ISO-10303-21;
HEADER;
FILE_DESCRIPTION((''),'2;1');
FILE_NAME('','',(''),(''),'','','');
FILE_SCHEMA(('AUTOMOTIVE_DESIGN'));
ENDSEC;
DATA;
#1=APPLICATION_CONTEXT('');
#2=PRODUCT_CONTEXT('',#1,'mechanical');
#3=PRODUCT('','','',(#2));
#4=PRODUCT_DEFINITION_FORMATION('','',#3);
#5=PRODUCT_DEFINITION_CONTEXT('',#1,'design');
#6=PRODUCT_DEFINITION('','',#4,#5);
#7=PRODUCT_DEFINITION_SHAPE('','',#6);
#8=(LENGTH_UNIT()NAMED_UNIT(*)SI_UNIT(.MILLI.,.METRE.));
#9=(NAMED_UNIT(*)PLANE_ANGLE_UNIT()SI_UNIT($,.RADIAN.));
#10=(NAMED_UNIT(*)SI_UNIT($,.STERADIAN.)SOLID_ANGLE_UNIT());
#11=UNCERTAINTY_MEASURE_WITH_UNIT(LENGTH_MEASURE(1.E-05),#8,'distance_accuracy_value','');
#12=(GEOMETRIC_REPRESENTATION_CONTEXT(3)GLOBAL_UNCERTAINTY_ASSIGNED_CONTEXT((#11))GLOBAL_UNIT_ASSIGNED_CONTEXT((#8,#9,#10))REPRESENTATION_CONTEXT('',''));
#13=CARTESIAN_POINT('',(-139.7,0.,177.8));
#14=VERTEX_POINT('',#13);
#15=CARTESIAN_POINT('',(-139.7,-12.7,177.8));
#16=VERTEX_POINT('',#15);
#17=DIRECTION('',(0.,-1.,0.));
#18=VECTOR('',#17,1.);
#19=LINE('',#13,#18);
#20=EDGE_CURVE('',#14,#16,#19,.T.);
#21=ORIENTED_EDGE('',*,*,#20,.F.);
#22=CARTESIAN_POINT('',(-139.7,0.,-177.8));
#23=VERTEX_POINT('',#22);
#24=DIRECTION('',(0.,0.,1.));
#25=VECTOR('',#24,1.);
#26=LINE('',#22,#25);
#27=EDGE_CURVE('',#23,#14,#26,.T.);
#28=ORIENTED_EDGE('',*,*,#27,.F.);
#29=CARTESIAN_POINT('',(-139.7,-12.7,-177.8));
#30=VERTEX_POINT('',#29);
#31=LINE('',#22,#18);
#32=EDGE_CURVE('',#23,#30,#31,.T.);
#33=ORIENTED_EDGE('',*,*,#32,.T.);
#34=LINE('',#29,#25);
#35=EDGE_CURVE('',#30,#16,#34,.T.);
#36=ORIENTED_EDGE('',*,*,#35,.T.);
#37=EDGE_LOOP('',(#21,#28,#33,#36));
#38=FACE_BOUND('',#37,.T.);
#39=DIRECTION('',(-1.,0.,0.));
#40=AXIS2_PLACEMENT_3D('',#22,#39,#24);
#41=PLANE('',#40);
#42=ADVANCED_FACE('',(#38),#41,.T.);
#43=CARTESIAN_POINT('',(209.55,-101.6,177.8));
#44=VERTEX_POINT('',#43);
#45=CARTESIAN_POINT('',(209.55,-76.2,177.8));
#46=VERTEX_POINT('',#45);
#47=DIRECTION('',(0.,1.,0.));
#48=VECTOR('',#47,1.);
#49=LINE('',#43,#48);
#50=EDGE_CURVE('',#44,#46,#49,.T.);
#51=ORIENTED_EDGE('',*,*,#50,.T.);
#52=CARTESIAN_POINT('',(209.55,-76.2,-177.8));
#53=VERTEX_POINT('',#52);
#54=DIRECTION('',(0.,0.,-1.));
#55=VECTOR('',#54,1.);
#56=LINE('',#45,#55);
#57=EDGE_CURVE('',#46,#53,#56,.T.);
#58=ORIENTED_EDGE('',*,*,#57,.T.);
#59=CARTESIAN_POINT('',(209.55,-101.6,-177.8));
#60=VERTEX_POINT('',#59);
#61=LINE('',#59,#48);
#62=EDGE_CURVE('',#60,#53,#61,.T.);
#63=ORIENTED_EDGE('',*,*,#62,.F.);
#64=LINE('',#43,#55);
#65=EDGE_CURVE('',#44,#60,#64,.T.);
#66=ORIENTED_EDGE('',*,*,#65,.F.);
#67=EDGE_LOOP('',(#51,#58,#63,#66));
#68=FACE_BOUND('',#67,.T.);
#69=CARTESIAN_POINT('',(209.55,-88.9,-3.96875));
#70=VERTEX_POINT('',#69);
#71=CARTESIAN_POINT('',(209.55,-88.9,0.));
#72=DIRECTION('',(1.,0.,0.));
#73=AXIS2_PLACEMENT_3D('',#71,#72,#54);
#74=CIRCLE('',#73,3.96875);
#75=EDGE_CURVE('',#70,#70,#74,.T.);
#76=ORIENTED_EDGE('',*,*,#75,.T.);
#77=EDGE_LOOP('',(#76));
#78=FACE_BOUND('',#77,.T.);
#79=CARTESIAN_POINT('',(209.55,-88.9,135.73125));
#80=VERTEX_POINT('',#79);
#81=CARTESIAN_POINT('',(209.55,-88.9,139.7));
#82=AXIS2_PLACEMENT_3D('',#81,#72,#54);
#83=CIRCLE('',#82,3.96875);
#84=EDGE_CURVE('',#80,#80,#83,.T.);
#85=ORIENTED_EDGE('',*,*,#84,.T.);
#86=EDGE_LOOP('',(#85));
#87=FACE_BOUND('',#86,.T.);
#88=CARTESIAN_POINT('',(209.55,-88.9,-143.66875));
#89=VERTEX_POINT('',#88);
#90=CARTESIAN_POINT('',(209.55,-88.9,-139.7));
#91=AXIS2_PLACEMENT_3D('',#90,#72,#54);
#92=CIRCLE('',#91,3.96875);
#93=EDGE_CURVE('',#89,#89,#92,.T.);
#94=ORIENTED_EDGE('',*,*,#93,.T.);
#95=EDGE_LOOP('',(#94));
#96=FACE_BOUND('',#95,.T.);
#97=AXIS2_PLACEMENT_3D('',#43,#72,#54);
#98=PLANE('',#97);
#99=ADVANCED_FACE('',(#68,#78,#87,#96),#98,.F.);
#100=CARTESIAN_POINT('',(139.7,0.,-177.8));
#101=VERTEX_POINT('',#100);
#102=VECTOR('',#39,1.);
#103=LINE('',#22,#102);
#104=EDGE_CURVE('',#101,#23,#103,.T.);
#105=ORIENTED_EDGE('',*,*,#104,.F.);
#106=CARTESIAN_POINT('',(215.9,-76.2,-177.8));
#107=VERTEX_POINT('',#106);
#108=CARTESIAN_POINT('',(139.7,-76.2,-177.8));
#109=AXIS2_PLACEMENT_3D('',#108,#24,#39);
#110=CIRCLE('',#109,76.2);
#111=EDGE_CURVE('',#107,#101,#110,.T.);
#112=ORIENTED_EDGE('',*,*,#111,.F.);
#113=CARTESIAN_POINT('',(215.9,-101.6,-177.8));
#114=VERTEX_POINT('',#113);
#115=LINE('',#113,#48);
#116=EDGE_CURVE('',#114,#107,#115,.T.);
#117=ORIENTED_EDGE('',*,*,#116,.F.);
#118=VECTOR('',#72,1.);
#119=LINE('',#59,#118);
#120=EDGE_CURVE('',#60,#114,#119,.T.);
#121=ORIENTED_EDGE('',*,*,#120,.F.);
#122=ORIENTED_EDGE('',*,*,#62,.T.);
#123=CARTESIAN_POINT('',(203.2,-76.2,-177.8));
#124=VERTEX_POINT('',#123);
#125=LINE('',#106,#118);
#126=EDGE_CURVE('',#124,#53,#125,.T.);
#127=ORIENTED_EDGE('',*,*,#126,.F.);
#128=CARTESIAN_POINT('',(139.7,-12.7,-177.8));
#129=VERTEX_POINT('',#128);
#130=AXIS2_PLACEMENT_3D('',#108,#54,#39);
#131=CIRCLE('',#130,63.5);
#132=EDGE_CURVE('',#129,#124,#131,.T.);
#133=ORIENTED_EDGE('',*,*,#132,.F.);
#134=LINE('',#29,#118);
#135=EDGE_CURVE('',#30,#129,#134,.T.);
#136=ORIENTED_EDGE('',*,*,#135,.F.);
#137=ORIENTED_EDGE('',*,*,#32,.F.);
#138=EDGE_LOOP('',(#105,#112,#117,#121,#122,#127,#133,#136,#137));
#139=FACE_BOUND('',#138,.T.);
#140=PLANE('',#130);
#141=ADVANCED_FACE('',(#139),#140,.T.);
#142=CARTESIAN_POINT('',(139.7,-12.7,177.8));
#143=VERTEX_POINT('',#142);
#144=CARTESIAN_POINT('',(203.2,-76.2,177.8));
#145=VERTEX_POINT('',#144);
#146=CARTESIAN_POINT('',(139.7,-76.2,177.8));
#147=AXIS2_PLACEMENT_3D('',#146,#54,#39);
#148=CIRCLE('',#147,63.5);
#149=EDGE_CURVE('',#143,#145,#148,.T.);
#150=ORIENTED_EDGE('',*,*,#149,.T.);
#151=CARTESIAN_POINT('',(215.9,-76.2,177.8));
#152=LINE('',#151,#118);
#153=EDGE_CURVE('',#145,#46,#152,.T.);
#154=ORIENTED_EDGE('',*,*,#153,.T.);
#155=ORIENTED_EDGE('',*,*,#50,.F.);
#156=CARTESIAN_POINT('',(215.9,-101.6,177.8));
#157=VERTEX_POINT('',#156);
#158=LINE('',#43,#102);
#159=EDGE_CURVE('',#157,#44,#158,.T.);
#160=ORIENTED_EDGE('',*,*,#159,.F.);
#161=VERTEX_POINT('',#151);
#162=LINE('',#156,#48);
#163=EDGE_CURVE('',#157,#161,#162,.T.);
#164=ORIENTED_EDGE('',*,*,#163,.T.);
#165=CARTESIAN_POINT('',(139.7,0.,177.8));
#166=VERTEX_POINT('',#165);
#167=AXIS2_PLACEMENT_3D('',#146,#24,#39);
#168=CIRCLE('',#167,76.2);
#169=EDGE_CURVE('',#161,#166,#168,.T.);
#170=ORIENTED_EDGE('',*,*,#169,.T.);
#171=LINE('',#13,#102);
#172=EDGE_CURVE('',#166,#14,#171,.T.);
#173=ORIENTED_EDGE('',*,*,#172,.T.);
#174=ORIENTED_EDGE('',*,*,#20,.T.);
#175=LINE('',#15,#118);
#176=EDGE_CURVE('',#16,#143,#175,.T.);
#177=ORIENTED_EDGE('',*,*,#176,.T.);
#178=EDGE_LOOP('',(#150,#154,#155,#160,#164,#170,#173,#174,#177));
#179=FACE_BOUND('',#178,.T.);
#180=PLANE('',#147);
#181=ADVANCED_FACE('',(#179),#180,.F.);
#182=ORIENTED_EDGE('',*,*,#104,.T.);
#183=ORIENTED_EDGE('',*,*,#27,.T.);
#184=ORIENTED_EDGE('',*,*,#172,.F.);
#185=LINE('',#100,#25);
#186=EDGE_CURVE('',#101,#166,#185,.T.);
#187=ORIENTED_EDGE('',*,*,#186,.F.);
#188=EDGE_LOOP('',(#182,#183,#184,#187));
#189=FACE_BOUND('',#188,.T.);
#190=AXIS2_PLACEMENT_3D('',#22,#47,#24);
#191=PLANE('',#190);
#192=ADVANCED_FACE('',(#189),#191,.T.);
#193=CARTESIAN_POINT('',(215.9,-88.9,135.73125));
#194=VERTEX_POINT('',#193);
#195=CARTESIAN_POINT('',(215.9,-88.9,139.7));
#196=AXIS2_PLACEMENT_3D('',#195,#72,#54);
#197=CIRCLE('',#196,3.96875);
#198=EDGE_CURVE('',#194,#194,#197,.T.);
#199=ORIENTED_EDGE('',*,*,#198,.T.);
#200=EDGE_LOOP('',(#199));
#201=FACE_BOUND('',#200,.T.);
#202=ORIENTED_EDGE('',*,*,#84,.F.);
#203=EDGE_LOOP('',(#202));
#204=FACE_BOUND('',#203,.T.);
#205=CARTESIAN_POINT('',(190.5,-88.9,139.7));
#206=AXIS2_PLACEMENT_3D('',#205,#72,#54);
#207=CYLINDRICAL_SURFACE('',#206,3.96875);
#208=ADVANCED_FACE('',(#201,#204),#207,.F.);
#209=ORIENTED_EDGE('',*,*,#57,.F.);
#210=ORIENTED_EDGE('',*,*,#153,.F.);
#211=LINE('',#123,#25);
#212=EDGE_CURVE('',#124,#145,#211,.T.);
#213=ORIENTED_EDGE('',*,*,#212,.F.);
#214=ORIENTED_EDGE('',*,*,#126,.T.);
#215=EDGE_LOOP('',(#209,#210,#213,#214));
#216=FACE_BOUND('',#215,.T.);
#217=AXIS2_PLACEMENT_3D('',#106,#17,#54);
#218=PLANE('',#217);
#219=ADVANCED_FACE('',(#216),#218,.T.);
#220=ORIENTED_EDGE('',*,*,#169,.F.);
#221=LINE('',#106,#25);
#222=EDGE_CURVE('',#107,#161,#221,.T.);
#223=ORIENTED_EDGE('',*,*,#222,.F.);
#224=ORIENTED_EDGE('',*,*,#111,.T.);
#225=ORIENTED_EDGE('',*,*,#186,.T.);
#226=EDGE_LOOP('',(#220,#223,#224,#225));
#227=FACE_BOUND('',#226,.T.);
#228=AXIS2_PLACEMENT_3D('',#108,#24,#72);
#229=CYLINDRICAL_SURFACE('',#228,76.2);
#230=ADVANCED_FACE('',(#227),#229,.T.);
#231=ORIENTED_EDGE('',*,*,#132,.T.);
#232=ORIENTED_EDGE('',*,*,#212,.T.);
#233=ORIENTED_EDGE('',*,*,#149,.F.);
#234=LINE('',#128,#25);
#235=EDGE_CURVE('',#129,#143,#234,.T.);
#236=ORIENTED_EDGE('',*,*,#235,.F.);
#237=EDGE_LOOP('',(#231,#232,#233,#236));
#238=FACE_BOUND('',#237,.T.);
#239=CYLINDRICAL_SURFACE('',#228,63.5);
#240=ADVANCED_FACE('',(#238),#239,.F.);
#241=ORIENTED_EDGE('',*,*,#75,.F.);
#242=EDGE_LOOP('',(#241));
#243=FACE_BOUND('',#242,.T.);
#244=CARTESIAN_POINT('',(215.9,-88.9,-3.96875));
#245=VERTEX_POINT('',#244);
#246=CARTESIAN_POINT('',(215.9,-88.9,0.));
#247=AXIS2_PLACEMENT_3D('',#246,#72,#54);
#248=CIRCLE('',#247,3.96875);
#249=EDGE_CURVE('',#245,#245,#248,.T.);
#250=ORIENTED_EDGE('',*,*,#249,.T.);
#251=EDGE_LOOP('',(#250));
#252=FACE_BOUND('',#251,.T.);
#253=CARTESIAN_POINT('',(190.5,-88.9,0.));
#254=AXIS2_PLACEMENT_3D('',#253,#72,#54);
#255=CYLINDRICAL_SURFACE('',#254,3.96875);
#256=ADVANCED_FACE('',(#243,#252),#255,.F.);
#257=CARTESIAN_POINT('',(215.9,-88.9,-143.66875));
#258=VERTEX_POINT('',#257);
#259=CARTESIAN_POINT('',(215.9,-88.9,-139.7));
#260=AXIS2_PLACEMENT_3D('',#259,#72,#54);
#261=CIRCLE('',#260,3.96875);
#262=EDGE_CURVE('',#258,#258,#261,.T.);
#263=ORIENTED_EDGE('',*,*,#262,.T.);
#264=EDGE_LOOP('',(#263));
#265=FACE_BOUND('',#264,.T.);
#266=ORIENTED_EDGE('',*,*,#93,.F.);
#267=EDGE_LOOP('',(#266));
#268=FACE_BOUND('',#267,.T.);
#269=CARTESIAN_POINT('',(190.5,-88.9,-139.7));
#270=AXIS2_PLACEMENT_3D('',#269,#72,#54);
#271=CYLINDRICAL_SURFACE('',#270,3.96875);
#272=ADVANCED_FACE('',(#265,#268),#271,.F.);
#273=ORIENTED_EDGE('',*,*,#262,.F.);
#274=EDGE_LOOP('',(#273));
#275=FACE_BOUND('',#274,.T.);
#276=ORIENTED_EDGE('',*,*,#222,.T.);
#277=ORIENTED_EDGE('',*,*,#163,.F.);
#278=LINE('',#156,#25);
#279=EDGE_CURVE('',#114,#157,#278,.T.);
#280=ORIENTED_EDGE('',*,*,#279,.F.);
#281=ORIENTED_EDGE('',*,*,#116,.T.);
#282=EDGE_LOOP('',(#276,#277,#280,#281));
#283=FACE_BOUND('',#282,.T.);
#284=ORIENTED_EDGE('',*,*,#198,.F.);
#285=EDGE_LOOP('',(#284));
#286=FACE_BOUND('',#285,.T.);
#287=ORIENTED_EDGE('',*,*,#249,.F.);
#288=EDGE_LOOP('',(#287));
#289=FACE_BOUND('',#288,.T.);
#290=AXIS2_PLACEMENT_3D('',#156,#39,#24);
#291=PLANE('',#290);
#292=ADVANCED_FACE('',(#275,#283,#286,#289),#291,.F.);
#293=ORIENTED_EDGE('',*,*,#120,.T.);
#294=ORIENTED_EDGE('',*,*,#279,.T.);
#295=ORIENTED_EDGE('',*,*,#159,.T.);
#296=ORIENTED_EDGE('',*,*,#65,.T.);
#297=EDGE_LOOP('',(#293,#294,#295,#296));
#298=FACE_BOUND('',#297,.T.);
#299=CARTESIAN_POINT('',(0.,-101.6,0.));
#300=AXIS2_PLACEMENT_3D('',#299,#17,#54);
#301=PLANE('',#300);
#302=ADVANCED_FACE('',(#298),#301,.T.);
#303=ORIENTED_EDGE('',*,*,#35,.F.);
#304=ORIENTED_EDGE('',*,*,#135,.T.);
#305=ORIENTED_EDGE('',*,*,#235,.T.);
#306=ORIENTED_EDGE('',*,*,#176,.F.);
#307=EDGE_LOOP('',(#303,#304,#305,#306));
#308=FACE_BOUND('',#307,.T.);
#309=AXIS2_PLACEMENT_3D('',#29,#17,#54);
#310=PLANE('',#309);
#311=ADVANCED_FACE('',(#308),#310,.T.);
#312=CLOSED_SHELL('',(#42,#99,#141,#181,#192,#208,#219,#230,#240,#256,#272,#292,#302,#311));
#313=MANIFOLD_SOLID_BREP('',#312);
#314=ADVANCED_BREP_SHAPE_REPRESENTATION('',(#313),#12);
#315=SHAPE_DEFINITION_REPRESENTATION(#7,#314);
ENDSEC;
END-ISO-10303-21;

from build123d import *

# Parameters (mm, degrees)
BOSS_EXTRUDE1_DEPTH      = 177.8
BOSS_EXTRUDE1_DEPTH_BACK = 177.8
SKETCH2_W                = 6.35
SKETCH2_H                = 355.6
BOSS_EXTRUDE2_DEPTH      = 25.4
SKETCH3_R                = 3.96875
CUT_EXTRUDE1_DEPTH       = 25.4


with BuildPart() as part:
    # Sketch1 → Boss-Extrude1 (new, two sides: drawn at the far end of the back side and taken through both)
    with BuildSketch(Plane.XY.offset(-BOSS_EXTRUDE1_DEPTH_BACK)):
        with BuildLine():
            Line((-139.7, 0), (139.7, 0))
            ThreePointArc((139.7, 0), (193.581536726, -22.318463274), (215.9, -76.2))
            Line((215.9, -76.2), (203.2, -76.2))
            ThreePointArc((203.2, -76.2), (184.601280605, -31.298719395), (139.7, -12.7))
            Line((139.7, -12.7), (-139.7, -12.7))
            Line((-139.7, -12.7), (-139.7, 0))
        make_face()
    extrude(amount=BOSS_EXTRUDE1_DEPTH + BOSS_EXTRUDE1_DEPTH_BACK)

    # Sketch2 → Boss-Extrude2 (add)
    with BuildSketch(Plane.XZ.offset(76.2)):
        with Locations((212.725, 0)):
            Rectangle(SKETCH2_W, SKETCH2_H)
    extrude(amount=BOSS_EXTRUDE2_DEPTH)

    # Sketch3 → Cut-Extrude1 (cut)
    with BuildSketch(Plane(origin=(215.9, 0, 0), x_dir=(0, 0, -1), z_dir=(1, 0, 0))):
        with Locations((-139.7, -88.9)):
            Circle(SKETCH3_R)
        with Locations((0, -88.9)):
            Circle(SKETCH3_R)
        with Locations((139.7, -88.9)):
            Circle(SKETCH3_R)
    extrude(amount=-CUT_EXTRUDE1_DEPTH, mode=Mode.SUBTRACT)


solid = part.part
